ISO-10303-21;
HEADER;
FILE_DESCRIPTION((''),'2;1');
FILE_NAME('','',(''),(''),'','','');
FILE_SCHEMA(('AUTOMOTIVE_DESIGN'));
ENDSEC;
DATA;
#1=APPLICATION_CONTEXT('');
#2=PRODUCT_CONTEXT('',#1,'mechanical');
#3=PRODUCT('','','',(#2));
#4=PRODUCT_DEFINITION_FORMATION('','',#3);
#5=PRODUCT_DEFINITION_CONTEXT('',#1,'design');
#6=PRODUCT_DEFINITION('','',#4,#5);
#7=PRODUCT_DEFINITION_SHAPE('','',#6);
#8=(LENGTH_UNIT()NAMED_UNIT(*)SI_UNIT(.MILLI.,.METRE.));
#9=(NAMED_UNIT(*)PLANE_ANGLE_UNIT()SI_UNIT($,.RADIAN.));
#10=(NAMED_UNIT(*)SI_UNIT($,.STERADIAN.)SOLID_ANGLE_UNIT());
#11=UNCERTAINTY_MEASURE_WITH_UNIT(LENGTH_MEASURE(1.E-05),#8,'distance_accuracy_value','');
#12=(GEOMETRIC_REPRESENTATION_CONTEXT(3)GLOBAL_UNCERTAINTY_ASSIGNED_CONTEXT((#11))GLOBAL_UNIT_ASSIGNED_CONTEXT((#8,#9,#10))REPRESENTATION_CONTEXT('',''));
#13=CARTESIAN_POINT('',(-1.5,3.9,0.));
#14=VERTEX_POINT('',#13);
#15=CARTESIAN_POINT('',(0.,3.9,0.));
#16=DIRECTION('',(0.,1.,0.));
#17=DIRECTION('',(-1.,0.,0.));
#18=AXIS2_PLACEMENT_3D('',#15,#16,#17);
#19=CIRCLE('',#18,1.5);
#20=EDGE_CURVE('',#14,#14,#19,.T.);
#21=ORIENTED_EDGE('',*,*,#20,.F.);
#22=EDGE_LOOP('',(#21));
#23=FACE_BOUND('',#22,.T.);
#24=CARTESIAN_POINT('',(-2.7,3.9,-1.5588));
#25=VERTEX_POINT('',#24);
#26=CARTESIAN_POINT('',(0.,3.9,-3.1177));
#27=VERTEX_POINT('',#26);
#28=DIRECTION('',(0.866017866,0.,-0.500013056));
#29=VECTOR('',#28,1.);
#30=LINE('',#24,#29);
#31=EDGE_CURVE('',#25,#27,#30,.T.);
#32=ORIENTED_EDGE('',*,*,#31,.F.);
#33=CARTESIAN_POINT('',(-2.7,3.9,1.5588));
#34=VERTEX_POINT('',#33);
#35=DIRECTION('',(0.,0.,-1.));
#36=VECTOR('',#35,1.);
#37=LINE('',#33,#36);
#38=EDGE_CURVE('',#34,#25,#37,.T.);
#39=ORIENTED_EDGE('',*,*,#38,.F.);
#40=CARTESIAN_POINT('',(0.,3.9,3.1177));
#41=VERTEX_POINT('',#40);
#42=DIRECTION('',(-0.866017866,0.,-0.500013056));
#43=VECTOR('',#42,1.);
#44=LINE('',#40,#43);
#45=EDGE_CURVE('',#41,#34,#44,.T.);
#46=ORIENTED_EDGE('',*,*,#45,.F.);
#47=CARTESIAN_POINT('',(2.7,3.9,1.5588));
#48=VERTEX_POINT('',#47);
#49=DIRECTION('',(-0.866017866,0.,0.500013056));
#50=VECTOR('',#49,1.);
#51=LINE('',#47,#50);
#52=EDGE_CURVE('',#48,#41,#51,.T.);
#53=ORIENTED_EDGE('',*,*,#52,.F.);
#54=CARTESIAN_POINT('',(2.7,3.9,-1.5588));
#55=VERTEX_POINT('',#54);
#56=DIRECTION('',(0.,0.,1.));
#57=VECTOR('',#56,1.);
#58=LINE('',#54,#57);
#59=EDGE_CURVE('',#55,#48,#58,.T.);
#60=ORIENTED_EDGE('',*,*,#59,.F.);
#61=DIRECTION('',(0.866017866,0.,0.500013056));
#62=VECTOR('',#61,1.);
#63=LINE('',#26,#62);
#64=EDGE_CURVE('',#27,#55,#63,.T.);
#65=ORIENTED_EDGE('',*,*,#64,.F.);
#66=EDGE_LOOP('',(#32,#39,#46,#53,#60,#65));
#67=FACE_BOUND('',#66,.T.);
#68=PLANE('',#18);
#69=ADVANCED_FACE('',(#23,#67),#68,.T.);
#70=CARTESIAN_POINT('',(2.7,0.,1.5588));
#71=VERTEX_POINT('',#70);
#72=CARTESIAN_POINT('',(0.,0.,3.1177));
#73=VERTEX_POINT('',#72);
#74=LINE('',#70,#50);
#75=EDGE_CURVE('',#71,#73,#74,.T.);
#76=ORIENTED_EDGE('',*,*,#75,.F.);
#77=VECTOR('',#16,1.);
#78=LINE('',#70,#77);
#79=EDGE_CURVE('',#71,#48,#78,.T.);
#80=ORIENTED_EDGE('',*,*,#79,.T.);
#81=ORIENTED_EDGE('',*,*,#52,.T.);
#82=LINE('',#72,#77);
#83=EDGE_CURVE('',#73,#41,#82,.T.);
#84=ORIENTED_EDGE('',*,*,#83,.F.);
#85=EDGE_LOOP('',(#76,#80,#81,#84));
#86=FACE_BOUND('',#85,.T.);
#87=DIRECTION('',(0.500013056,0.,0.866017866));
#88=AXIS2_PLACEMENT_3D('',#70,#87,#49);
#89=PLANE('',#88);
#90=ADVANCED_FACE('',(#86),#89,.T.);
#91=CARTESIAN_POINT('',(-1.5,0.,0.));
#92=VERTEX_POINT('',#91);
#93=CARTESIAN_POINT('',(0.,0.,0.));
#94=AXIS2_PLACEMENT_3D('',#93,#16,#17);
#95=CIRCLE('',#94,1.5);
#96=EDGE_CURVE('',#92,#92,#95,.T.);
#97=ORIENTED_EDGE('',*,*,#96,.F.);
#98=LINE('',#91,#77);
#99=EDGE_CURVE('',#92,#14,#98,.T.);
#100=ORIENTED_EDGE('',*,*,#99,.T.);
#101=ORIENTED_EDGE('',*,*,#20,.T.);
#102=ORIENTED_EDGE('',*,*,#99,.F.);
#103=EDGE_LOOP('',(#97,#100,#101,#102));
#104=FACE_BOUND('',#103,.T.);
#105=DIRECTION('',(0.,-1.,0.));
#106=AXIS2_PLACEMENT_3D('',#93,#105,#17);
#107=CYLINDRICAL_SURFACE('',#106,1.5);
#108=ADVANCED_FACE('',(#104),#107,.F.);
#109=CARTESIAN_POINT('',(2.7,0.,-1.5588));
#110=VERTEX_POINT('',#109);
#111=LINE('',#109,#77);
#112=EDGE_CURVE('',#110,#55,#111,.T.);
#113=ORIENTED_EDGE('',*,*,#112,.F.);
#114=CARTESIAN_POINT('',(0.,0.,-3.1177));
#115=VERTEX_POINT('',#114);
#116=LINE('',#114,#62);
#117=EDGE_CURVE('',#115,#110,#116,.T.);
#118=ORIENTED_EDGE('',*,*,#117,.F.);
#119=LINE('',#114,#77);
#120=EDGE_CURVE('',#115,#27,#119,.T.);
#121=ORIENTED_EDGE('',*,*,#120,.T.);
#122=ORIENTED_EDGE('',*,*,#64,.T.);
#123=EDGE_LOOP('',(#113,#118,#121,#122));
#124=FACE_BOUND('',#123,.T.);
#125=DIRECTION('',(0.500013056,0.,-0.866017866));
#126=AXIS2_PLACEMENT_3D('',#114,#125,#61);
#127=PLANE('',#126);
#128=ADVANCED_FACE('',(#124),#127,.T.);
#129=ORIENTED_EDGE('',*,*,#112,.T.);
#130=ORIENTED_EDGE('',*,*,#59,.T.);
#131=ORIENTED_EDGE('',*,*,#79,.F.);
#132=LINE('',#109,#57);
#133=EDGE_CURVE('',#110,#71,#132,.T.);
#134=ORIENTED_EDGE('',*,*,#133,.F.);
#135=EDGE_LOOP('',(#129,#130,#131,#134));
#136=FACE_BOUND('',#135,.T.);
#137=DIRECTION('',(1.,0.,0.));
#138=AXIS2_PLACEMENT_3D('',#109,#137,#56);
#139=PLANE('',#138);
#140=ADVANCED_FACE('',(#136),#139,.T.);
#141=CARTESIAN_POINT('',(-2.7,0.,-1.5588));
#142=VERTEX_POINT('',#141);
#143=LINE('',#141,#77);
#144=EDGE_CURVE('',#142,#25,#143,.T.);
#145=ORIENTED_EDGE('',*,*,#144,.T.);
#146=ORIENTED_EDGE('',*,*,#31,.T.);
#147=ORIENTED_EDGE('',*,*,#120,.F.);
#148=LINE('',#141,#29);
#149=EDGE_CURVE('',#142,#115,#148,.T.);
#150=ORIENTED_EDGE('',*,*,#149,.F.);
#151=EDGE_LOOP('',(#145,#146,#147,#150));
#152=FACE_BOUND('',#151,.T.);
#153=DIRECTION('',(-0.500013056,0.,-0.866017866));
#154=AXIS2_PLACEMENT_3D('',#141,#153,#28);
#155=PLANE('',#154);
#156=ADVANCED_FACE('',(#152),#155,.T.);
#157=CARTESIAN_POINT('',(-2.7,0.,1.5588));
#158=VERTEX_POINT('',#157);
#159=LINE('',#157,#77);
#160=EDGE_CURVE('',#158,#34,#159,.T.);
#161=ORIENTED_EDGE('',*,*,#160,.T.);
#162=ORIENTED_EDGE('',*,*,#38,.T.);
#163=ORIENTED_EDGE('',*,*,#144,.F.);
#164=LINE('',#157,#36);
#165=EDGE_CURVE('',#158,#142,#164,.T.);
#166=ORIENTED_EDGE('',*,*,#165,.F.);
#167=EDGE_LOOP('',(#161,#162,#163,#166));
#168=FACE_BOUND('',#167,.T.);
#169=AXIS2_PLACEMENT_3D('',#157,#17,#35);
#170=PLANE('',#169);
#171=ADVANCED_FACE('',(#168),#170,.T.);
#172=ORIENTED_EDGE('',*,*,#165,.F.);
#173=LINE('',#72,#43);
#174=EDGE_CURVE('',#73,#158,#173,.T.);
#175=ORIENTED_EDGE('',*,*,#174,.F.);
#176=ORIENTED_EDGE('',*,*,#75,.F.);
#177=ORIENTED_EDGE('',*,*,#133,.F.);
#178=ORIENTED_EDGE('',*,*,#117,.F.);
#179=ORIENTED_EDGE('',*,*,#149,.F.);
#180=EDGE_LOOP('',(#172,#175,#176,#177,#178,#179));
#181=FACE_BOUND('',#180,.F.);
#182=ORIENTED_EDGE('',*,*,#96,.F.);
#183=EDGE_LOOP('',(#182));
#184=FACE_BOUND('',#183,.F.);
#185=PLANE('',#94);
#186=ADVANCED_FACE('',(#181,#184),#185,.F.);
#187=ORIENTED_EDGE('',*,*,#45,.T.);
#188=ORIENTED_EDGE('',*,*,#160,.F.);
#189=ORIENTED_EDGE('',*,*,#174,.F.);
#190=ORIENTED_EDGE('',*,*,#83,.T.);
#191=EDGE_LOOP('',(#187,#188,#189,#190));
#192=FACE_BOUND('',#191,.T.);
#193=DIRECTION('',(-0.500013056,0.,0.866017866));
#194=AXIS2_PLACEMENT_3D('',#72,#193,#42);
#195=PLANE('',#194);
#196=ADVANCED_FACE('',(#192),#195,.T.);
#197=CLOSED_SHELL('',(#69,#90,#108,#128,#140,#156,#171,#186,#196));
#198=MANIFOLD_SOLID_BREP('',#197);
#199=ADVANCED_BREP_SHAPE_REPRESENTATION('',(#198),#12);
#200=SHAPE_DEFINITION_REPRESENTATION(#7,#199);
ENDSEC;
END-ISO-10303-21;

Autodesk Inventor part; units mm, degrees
ref_plane "YZ Plane" through (0, 0, 0) normal (1, 0, 0) x (0, 1, 0)
ref_plane "XZ Plane" through (0, 0, 0) normal (0, 1, 0) x (-1, 0, 0)
ref_plane "XY Plane" through (0, 0, 0) normal (0, 0, 1) x (1, 0, 0)
sketch "Sketch1" plane through (0, 0, 0) normal (0, 1, 0) x (-1, 0, 0)
  line L0 (0, -3.1177) -> (-2.7, -1.5588)
  line L1 (-2.7, -1.5588) -> (-2.7, 1.5588)
  line L2 (-2.7, 1.5588) -> (0, 3.1177)
  line L3 (0, 3.1177) -> (2.7, 1.5588)
  line L4 (2.7, 1.5588) -> (2.7, -1.5588)
  line L5 (2.7, -1.5588) -> (0, -3.1177)
  circle A0 centre (0, 0) radius 1.5
  dimension "d0" = 5.4
  dimension "d1" = 3
extrude "Extrusion1" add sketch "Sketch1" along normal blind 3.9
properties part number "M3_nut"
